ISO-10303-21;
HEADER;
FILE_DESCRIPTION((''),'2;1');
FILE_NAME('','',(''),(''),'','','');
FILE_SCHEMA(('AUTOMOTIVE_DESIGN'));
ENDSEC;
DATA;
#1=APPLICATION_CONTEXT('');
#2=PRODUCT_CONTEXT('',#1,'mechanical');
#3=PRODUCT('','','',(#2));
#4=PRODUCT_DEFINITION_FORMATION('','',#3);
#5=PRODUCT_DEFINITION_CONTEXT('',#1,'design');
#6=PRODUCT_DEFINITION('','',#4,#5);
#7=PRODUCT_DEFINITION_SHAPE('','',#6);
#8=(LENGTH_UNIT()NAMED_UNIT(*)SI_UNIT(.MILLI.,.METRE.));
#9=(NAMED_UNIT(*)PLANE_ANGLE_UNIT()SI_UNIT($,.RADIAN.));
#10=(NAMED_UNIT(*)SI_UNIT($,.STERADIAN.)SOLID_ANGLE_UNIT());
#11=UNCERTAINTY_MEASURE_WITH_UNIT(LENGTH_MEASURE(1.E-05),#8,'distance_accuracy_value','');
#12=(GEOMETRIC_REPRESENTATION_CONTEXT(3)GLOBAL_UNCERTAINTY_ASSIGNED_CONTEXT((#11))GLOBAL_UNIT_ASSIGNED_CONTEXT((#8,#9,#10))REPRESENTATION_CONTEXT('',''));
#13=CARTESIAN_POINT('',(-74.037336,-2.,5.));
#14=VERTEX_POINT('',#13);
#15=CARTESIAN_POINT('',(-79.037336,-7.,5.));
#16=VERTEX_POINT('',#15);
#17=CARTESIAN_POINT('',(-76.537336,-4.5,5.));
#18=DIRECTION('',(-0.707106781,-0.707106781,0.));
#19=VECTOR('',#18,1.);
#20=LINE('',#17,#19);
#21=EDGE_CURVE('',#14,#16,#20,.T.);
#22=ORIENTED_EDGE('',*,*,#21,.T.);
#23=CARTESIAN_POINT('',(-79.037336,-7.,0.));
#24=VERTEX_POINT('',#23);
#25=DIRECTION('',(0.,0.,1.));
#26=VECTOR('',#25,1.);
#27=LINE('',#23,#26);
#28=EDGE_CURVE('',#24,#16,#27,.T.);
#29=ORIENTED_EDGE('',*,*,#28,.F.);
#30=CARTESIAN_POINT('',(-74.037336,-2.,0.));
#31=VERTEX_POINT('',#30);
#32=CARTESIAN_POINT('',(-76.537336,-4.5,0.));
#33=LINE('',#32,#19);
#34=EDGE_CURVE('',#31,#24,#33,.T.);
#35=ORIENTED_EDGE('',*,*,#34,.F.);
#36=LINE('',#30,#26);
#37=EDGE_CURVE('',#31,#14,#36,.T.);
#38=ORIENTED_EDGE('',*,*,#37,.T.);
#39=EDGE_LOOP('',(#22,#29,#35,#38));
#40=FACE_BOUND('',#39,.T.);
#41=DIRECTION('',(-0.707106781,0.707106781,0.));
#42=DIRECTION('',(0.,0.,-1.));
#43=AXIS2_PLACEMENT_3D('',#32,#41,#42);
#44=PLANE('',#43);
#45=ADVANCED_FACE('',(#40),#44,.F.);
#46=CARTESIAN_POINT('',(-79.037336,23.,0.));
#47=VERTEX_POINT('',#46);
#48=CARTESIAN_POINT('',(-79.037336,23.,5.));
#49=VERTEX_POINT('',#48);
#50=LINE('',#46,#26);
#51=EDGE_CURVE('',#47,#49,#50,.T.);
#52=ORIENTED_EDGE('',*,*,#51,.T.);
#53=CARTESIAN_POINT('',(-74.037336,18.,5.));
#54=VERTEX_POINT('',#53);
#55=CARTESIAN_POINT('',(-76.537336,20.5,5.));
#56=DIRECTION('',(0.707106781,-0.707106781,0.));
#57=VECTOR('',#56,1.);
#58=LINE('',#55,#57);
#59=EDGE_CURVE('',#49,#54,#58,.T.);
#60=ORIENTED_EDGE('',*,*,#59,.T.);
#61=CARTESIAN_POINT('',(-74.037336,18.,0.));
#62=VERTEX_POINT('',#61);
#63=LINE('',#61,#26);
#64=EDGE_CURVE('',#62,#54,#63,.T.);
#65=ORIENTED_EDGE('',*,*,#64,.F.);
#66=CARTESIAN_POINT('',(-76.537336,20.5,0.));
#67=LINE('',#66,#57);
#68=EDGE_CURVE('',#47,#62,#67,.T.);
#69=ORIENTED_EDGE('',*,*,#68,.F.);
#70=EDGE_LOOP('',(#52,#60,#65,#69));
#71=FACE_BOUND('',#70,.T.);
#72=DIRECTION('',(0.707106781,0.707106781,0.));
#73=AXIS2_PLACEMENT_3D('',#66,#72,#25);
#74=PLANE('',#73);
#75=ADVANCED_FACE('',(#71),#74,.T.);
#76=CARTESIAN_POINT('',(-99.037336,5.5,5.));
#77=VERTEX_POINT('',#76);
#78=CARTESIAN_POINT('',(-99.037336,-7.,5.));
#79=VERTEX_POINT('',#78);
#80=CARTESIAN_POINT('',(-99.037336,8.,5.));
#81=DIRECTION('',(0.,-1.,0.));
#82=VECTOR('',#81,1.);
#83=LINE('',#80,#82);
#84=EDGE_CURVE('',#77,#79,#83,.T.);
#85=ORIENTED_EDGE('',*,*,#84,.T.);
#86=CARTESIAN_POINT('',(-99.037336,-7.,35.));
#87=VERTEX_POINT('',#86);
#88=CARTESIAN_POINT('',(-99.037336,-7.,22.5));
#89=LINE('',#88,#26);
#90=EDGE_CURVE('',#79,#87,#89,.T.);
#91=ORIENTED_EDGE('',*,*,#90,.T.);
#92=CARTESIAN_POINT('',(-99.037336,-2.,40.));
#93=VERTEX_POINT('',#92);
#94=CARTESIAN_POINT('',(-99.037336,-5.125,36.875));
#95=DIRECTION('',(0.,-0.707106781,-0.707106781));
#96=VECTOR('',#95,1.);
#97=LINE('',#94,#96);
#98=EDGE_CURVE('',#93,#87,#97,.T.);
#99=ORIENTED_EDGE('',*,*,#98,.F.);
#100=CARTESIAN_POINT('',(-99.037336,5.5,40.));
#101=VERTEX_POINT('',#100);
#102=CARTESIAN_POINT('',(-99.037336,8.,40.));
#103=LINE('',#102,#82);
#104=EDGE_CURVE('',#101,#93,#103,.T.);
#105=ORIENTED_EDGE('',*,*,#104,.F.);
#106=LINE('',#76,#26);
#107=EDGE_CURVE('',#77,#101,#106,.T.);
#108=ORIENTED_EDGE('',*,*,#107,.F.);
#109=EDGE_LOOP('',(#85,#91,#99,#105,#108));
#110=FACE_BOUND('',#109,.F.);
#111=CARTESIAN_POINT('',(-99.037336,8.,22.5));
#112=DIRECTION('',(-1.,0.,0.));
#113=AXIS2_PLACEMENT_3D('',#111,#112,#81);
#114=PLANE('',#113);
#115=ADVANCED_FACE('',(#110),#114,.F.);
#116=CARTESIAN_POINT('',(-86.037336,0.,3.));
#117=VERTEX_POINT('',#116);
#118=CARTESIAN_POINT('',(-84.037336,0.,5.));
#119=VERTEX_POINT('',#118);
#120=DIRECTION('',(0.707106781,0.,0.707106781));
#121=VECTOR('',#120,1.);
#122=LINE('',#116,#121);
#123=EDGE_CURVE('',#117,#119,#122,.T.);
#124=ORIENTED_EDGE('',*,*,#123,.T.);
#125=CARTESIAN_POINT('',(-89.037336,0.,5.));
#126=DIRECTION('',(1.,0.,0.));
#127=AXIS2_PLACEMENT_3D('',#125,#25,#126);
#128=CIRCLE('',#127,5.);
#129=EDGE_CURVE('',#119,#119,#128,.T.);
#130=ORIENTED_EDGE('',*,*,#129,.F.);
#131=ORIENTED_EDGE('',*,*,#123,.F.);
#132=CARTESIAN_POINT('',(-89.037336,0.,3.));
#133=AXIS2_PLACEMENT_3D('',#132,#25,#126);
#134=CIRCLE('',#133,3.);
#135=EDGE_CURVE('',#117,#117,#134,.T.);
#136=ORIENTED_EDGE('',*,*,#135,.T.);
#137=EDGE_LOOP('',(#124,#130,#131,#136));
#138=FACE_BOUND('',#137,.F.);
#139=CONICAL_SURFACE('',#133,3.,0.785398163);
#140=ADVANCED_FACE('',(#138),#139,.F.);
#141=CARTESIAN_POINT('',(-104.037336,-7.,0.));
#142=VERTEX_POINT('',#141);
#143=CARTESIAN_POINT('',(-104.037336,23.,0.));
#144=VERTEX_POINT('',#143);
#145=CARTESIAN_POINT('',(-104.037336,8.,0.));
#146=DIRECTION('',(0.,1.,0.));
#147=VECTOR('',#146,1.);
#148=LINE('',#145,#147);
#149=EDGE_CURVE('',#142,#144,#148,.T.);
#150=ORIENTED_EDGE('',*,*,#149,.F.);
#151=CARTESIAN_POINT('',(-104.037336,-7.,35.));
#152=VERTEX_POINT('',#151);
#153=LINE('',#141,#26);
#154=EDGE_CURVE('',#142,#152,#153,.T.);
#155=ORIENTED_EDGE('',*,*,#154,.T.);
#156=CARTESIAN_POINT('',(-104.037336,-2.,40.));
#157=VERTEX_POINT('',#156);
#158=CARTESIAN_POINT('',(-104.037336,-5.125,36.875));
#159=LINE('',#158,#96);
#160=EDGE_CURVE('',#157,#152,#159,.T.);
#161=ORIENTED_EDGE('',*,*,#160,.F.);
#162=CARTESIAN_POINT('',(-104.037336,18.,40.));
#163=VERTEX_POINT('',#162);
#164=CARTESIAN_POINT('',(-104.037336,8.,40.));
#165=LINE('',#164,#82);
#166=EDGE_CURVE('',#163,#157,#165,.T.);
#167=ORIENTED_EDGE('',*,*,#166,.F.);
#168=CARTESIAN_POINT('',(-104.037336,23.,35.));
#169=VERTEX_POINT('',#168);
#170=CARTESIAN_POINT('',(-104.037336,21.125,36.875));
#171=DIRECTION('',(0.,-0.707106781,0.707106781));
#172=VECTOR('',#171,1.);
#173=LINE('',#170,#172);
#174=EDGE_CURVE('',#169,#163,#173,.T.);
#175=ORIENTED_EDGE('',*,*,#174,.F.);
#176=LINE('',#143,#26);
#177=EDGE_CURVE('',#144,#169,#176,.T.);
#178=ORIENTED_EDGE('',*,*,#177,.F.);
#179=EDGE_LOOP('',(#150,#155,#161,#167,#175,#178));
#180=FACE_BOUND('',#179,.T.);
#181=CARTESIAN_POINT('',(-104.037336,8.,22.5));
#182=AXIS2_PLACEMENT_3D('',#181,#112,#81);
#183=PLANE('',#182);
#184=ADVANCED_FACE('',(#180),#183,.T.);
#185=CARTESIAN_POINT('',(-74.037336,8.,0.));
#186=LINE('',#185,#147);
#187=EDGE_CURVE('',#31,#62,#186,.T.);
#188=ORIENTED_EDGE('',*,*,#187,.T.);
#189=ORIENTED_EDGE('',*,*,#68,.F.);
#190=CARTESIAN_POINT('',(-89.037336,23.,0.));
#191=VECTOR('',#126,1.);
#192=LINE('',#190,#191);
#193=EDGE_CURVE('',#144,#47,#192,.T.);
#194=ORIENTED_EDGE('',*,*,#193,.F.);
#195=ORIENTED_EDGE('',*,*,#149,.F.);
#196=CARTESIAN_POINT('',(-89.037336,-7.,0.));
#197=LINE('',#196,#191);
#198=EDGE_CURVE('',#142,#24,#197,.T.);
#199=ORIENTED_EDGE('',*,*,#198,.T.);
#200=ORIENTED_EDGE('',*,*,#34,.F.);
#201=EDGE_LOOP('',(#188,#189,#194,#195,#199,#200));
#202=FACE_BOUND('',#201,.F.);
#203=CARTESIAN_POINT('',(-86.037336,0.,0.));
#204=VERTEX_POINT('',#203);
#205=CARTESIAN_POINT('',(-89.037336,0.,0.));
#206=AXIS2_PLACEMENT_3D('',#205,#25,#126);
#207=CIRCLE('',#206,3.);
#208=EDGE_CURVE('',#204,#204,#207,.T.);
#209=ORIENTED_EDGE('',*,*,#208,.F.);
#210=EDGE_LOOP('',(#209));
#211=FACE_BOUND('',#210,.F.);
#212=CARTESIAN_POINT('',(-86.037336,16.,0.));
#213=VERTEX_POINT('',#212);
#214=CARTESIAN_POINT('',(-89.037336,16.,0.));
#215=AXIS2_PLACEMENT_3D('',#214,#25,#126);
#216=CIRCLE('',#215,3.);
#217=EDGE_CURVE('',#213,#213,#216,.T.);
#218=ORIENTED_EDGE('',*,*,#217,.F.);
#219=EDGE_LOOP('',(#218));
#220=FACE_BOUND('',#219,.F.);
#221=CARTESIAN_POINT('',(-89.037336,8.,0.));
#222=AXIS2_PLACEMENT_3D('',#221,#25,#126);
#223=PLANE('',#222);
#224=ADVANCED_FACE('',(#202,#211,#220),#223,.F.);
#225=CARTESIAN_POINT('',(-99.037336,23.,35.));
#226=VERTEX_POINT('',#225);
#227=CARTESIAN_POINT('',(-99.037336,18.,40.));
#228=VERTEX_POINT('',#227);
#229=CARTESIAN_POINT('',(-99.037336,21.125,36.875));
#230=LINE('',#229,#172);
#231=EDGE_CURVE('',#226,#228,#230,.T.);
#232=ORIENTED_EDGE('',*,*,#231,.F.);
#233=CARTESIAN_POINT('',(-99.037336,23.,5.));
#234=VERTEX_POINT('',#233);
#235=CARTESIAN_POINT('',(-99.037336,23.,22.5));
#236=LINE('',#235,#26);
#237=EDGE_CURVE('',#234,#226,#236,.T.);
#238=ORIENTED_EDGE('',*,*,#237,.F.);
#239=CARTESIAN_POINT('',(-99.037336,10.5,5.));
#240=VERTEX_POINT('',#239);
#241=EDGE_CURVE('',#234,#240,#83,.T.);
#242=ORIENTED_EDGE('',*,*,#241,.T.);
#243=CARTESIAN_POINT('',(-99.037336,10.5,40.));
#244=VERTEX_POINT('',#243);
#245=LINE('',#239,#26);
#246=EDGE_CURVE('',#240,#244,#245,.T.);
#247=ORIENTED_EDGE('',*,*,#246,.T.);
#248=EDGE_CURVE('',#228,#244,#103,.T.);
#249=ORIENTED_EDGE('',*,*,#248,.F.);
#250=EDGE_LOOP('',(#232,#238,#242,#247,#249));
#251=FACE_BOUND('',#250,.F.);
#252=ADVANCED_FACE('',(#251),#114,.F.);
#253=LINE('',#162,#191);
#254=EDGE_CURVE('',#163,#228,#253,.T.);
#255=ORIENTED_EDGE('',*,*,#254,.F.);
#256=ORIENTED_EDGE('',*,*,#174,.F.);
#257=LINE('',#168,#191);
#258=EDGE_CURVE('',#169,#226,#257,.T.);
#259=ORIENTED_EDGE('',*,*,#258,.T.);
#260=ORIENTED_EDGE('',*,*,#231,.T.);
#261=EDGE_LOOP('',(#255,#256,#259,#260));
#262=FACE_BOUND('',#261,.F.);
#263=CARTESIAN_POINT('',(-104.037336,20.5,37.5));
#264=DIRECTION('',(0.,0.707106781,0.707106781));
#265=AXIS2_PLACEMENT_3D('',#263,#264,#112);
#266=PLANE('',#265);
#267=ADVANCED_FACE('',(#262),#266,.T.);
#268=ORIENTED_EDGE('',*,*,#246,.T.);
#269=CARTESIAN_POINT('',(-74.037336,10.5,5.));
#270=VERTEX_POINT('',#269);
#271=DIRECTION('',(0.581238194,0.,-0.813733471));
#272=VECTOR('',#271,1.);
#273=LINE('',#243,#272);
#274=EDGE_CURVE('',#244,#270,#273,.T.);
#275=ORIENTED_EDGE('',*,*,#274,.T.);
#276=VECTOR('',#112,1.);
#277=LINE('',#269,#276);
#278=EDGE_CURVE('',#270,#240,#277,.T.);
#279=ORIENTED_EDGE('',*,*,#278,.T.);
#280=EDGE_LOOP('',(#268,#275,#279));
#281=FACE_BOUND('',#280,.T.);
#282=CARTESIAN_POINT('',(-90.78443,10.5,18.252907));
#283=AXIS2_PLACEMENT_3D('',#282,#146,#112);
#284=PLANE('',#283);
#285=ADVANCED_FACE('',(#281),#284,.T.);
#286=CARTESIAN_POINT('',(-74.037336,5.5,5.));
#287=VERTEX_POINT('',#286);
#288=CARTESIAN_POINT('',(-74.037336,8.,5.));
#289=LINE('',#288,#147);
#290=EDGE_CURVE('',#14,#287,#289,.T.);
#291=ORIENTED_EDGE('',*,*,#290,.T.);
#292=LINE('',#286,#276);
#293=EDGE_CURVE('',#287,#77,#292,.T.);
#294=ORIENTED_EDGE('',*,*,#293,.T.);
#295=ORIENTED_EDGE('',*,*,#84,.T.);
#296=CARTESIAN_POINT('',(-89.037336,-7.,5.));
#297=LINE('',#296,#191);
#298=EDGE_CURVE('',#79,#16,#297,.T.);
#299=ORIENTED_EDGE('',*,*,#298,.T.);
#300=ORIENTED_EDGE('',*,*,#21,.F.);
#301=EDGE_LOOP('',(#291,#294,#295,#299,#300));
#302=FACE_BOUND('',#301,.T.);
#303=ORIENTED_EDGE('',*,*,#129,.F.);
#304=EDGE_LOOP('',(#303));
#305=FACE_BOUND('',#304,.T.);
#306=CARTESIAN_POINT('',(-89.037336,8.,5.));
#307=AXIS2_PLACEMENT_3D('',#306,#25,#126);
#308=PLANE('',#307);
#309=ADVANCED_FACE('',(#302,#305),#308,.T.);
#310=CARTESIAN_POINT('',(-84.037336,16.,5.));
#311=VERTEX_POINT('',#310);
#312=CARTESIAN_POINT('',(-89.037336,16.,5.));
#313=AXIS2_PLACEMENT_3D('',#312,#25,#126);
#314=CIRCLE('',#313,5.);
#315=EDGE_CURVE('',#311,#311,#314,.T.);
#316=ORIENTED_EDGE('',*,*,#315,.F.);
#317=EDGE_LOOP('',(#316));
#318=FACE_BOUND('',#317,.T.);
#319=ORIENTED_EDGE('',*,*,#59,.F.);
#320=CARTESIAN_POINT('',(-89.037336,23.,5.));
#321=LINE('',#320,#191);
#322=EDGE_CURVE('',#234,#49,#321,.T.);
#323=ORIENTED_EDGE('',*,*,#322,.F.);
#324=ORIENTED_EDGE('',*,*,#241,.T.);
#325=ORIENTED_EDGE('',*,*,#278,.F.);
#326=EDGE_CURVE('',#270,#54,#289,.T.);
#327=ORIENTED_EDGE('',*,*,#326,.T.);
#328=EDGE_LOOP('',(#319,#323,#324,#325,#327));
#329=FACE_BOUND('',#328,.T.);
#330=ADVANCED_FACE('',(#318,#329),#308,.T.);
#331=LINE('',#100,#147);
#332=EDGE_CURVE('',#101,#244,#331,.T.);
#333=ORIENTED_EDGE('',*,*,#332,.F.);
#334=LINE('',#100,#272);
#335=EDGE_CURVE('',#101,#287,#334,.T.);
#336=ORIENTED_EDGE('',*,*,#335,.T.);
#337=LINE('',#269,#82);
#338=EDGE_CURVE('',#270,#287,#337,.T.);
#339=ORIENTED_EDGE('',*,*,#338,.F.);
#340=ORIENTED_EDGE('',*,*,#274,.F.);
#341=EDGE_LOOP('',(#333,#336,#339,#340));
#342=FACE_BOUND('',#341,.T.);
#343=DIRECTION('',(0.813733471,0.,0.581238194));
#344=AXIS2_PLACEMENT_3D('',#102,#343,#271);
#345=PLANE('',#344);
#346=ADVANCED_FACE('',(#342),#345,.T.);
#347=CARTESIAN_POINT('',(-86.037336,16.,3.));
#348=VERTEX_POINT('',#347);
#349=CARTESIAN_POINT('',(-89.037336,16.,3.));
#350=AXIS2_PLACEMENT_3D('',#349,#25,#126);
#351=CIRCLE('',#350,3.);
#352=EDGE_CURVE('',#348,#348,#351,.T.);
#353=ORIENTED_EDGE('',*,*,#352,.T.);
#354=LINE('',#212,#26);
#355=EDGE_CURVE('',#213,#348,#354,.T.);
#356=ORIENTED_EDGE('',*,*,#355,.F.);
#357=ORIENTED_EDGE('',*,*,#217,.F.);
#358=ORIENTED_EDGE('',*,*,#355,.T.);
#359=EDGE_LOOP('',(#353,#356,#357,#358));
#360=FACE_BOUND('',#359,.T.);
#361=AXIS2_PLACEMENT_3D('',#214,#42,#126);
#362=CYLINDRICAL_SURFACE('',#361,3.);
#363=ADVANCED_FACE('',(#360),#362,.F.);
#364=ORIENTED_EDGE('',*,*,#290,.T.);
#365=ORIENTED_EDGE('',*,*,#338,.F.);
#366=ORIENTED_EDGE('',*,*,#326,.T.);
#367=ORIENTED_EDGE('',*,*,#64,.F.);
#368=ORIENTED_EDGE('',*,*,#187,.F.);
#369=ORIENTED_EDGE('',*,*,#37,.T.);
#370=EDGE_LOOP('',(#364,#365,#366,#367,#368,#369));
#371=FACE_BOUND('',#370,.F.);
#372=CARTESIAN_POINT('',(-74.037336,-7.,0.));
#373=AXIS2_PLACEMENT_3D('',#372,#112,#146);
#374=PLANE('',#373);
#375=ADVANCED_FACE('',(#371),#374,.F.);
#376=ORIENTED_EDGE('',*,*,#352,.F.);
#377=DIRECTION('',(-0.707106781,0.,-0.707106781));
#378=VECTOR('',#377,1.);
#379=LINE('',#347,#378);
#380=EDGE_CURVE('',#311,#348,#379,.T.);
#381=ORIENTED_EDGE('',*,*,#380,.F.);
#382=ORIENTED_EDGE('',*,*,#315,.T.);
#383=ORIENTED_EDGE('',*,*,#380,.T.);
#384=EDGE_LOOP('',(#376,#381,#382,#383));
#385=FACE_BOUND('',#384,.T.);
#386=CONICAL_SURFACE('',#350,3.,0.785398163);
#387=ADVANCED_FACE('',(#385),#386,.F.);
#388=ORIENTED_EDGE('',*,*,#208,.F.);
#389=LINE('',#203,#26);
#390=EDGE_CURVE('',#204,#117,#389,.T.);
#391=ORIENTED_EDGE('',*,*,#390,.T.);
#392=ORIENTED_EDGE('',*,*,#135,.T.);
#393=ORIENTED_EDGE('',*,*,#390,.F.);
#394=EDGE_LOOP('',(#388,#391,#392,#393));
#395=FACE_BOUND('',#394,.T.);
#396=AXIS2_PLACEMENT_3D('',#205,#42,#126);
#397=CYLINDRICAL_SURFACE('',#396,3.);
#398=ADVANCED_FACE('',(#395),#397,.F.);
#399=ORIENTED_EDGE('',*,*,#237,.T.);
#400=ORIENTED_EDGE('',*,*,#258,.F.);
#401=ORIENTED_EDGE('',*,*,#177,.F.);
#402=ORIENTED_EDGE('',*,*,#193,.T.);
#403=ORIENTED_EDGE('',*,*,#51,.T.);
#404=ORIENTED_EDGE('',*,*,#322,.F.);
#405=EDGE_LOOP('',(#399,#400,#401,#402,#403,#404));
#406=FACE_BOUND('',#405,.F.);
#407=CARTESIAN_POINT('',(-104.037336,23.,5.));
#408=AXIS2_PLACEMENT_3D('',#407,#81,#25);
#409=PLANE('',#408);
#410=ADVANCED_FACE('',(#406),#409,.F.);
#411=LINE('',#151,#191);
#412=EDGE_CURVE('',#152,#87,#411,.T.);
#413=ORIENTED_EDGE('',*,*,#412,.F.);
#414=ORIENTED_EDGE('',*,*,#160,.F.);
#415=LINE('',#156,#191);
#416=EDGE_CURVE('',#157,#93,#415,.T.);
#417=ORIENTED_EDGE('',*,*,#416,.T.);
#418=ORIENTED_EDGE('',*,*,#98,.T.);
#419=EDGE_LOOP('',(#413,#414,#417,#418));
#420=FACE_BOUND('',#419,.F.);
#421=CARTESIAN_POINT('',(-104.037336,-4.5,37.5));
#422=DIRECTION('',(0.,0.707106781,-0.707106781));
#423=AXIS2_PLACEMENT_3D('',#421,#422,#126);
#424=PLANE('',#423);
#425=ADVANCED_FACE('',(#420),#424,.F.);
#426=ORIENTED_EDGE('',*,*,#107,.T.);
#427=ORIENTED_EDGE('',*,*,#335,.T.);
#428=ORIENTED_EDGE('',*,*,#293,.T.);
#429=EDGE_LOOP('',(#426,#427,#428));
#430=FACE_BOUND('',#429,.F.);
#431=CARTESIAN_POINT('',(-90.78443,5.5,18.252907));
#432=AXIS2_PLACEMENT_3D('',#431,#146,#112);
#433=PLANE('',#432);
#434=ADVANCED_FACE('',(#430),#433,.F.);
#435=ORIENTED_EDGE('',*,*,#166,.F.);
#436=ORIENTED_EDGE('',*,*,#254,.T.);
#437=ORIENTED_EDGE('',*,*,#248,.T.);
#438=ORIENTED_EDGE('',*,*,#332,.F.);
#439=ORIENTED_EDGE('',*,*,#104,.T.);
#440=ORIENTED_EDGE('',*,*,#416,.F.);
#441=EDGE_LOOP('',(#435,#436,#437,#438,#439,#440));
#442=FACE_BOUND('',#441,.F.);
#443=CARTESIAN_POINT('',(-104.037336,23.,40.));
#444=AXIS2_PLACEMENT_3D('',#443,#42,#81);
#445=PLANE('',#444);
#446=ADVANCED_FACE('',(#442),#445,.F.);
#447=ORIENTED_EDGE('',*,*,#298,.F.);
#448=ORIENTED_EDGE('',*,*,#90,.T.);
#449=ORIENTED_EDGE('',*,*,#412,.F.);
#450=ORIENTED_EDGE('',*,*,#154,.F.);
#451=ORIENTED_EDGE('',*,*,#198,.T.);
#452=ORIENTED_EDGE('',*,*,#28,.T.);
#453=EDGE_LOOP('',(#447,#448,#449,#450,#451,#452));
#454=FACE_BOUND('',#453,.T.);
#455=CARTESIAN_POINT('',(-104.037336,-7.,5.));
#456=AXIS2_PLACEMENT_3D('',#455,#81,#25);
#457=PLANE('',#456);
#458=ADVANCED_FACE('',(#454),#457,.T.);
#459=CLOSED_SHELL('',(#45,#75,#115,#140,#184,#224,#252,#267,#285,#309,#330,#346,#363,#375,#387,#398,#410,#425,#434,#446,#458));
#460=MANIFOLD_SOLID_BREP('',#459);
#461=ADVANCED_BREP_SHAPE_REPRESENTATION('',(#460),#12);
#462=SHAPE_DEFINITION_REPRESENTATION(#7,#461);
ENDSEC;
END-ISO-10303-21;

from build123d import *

# Parameters (mm, degrees)
F0_W     = 30
F0_H     = 30
F0_R     = 3
F1_DEPTH = 5
F2_W     = 30
F2_H     = 35
F3_DEPTH = 5
F6_DEPTH = 2.5
F7_SIZE  = 5
F8_SIZE  = 2


with BuildPart() as f1:
    # F0 (on Top) → F1 (new body)
    with BuildSketch(Plane.XY):
        with Locations((-89.0373364091, 8)):
            Rectangle(F0_W, F0_H)
        with Locations((-89.0373364091, 0)):
            Circle(F0_R, mode=Mode.SUBTRACT)
        with Locations((-89.0373364091, 16)):
            Circle(F0_R, mode=Mode.SUBTRACT)
    extrude(amount=F1_DEPTH)

    # F2 (on face) → F3 (join)
    with BuildSketch(Plane(origin=(-104.0373364091, 0, 0), x_dir=(0, -1, 0), z_dir=(-1, 0, 0))):
        with Locations((-8, 22.5)):
            Rectangle(F2_W, F2_H)
    extrude(amount=-F3_DEPTH)

    # F5 (on line) → F6 (join, symmetric)
    with BuildSketch(Plane(origin=(0, 8, 0), x_dir=(-1, 0, 0), z_dir=(0, 1, 0))):
        Polygon((99.0373364091, 5), (99.0373364091, 40), (74.0373364091, 5), align=None)
    extrude(amount=F6_DEPTH, both=True)

    # F7
    f7_edges = [f1.edges().sort_by_distance(p)[0] for p in [
        (-101.537336, -7, 40),
        (-101.537336, 23, 40),
        (-74.037336, -7, 2.5),
        (-74.037336, 23, 2.5),
    ]]
    chamfer(f7_edges, length=F7_SIZE)

    # F8
    f8_edges = [f1.edges().sort_by_distance(p)[0] for p in [
        (-92.037336, 0, 5),
        (-92.037336, 16, 5),
    ]]
    chamfer(f8_edges, length=F8_SIZE)


solid = f1.part
